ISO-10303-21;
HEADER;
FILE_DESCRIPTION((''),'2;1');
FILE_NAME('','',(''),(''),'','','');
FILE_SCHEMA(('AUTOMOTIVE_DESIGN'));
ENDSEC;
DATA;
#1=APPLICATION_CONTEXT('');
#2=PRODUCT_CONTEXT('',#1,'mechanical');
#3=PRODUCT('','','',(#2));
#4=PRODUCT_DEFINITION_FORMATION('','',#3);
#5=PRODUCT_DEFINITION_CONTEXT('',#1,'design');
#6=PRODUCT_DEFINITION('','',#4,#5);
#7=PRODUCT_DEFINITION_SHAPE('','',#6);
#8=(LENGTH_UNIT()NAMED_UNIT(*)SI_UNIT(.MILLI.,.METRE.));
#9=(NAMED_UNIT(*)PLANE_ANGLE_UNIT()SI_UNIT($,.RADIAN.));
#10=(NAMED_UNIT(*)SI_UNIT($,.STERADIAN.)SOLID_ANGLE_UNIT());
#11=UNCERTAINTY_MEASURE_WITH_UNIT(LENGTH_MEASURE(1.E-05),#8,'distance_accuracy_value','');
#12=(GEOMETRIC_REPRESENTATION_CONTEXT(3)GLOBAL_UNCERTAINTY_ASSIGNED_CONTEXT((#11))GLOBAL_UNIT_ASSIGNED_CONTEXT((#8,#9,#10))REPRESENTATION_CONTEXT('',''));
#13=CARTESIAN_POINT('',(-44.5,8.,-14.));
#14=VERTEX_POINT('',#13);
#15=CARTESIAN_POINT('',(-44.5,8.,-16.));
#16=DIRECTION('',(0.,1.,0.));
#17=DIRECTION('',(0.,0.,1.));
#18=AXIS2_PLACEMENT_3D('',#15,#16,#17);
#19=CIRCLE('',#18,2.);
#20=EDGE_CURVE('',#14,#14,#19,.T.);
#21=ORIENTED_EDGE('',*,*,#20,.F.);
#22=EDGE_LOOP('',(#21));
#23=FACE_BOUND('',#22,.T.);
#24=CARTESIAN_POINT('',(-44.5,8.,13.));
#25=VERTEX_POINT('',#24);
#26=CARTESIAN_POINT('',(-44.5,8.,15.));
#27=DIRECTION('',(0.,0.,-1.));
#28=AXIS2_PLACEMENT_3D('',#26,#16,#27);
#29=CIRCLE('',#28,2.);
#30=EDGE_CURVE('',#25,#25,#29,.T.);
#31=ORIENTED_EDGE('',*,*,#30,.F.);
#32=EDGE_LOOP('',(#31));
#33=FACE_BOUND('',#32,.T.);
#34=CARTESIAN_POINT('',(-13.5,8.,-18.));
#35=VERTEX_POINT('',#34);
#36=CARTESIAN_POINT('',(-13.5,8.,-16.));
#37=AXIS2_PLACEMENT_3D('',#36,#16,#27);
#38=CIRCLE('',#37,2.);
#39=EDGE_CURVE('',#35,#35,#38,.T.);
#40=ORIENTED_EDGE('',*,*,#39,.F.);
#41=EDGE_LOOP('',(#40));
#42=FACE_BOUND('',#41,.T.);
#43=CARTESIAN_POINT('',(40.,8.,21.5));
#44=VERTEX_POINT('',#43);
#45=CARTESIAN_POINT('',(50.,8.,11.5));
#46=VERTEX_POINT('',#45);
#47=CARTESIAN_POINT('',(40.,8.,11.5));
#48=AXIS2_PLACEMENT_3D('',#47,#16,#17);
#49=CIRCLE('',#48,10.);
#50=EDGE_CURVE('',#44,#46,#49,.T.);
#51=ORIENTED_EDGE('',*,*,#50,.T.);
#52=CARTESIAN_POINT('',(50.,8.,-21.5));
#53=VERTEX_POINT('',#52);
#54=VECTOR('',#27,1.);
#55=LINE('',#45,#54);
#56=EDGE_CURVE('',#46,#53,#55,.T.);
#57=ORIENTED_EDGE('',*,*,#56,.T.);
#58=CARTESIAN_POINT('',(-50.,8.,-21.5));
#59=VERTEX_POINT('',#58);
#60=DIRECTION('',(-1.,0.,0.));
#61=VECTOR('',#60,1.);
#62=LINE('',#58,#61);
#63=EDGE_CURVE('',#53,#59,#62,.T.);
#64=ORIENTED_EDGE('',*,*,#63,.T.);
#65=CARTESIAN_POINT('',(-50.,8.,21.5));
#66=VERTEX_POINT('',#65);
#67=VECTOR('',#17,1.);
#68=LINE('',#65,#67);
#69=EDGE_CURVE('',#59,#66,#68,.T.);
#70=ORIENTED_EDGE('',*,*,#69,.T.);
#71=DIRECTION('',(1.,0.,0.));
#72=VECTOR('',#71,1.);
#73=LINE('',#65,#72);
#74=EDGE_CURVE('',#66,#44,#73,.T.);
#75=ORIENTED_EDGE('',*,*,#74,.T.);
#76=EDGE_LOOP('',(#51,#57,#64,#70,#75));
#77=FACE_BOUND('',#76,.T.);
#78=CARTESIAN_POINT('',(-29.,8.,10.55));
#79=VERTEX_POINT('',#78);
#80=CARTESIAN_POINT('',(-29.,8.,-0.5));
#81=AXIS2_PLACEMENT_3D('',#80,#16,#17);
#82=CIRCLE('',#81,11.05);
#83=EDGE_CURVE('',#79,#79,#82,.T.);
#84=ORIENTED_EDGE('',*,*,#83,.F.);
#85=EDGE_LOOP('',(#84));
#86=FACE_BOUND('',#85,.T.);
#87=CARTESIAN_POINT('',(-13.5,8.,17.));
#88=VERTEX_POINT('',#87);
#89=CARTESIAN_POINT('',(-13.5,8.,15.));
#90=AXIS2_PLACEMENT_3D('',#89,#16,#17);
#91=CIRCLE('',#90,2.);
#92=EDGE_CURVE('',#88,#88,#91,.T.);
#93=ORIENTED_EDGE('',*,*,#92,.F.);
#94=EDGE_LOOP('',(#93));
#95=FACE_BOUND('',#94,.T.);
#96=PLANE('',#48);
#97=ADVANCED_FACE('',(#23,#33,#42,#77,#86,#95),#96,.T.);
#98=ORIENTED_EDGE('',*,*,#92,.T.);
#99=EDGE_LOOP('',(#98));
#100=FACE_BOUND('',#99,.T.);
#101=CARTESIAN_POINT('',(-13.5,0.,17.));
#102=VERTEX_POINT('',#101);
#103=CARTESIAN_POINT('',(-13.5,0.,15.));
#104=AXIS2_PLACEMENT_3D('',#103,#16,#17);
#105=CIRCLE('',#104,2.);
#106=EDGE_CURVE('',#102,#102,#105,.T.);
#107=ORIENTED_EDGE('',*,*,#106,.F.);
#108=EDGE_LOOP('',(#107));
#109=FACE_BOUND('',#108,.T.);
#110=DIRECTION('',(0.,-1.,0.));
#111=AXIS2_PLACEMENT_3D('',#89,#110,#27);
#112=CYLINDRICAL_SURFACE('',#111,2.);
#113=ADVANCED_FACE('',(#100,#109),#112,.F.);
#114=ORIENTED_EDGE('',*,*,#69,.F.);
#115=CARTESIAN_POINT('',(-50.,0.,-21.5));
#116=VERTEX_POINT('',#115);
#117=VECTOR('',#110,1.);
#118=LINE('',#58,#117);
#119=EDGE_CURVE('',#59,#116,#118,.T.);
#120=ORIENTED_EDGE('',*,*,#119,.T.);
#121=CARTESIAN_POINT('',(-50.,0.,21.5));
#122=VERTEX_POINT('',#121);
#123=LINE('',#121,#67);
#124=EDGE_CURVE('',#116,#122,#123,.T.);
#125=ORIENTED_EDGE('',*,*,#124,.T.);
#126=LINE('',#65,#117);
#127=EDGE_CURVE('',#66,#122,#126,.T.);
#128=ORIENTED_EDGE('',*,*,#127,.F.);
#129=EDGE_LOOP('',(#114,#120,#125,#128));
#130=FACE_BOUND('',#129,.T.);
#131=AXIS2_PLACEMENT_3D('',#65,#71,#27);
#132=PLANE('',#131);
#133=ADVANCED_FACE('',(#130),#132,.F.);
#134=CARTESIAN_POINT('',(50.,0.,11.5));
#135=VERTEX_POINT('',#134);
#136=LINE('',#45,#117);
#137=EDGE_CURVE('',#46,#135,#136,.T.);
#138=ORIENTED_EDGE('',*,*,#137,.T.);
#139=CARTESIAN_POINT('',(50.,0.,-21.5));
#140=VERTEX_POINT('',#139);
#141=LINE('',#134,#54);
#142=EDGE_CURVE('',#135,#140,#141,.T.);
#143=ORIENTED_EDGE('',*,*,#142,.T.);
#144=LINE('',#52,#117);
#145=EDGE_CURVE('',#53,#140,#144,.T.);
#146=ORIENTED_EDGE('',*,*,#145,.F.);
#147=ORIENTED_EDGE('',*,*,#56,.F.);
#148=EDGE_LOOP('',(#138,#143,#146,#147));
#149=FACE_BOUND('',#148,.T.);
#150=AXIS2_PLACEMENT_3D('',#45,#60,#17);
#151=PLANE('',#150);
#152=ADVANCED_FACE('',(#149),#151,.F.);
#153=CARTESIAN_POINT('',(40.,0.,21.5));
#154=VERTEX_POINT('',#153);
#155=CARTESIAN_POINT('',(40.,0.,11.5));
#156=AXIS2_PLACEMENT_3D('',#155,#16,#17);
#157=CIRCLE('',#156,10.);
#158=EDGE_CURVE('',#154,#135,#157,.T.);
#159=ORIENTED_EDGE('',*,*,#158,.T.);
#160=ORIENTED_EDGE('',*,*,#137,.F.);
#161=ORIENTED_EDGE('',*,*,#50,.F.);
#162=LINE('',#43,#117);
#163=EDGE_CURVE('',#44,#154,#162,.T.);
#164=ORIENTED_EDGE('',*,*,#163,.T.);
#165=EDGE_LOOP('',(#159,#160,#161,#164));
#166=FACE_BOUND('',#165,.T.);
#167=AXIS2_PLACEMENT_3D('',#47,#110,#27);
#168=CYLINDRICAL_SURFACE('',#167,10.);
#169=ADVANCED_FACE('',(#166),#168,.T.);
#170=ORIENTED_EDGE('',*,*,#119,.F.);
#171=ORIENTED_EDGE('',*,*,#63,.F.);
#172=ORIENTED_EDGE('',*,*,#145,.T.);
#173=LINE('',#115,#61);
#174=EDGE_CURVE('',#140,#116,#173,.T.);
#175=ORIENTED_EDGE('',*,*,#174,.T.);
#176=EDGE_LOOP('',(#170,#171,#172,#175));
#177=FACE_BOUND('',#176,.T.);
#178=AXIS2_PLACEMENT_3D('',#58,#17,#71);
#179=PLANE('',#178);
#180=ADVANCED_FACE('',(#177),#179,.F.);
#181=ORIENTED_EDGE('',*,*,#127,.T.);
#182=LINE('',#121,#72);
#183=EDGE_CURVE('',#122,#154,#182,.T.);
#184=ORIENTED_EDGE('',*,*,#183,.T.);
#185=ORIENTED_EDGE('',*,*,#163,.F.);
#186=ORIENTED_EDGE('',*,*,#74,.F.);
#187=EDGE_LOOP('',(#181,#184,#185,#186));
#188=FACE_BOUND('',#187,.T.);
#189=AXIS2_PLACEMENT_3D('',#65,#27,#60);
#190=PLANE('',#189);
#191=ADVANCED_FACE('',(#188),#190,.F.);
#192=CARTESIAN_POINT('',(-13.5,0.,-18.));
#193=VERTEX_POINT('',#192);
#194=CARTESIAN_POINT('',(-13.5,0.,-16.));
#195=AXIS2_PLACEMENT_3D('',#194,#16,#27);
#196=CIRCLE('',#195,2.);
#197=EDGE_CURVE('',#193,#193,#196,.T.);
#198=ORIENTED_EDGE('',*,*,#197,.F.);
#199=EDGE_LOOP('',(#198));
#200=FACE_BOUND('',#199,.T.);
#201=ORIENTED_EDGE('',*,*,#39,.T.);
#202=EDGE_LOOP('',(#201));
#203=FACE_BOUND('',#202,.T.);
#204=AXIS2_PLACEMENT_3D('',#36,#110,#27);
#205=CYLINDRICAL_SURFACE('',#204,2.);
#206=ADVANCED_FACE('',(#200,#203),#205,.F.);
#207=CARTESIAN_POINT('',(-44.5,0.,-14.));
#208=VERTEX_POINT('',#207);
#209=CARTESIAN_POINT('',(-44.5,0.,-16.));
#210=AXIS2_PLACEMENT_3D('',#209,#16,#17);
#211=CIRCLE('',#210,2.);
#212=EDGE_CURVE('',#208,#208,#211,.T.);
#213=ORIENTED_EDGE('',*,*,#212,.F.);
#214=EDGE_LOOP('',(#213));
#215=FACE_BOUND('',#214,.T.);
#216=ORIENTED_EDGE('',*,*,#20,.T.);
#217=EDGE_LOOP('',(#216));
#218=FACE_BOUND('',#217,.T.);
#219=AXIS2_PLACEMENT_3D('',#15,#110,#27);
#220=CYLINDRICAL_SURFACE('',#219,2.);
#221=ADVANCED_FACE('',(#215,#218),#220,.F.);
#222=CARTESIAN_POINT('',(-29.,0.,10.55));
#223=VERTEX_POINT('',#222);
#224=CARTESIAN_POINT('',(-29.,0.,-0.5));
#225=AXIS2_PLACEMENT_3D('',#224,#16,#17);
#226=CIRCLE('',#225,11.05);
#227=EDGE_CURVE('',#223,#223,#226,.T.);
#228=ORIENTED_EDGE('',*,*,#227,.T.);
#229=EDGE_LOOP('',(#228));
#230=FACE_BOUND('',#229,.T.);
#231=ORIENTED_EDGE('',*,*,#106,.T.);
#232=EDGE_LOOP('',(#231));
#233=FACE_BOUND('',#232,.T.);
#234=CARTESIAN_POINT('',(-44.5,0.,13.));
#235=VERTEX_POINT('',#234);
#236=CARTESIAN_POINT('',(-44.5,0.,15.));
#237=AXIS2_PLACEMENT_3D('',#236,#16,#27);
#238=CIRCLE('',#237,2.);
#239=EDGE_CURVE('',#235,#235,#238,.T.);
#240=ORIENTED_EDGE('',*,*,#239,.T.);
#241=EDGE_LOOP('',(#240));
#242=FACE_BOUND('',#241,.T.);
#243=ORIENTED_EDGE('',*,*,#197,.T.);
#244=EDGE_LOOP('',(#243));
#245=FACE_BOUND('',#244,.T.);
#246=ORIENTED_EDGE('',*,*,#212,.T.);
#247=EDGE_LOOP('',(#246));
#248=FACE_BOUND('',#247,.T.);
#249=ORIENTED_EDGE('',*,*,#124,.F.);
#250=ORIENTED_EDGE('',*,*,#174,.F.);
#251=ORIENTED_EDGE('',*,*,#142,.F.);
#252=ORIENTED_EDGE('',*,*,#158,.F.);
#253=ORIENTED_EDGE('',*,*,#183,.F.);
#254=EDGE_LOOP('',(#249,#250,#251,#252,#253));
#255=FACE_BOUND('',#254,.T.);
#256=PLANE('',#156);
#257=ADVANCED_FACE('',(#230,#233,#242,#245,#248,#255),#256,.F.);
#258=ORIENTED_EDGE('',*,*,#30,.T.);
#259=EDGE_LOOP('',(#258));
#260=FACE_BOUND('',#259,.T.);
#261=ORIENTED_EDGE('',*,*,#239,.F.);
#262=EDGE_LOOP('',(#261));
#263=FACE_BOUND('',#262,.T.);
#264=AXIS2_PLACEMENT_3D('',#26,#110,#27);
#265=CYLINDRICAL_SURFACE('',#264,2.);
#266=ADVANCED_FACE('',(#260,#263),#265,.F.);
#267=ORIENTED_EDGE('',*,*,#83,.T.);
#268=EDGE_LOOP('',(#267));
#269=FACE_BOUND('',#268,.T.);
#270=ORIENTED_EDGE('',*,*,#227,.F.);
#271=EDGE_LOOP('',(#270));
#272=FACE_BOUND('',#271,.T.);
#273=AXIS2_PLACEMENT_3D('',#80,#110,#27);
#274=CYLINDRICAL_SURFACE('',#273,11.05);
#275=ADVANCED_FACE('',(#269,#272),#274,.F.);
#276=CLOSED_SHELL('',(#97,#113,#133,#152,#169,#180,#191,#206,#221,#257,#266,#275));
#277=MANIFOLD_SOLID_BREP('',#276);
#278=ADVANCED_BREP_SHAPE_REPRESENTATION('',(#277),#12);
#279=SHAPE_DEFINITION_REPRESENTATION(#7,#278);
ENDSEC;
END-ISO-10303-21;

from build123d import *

# Parameters (mm, degrees)
SKETCH_1_R      = 11.05
SKETCH_1_R_2    = 2
EXTRUDE_1_DEPTH = 8


with BuildPart() as part:
    # Эскиз1 → Бобышка-Вытянуть1 (new body)
    with BuildSketch(Plane(origin=(0, 0, 0), x_dir=(1, 0, 0), z_dir=(0, 1, 0))):
        with BuildLine():
            Line((-50, -21.5), (40, -21.5))
            ThreePointArc((40, -21.5), (47.071067812, -18.571067812), (50, -11.5))
            Line((50, -11.5), (50, 21.5))
            Line((50, 21.5), (-50, 21.5))
            Line((-50, 21.5), (-50, -21.5))
        make_face()
        with Locations((-29, 0.5)):
            Circle(SKETCH_1_R, mode=Mode.SUBTRACT)
        with Locations((-13.5, -15)):
            Circle(SKETCH_1_R_2, mode=Mode.SUBTRACT)
        with Locations((-13.5, 16)):
            Circle(SKETCH_1_R_2, mode=Mode.SUBTRACT)
        with Locations((-44.5, -15)):
            Circle(SKETCH_1_R_2, mode=Mode.SUBTRACT)
        with Locations((-44.5, 16)):
            Circle(SKETCH_1_R_2, mode=Mode.SUBTRACT)
    extrude(amount=EXTRUDE_1_DEPTH)


solid = part.part
